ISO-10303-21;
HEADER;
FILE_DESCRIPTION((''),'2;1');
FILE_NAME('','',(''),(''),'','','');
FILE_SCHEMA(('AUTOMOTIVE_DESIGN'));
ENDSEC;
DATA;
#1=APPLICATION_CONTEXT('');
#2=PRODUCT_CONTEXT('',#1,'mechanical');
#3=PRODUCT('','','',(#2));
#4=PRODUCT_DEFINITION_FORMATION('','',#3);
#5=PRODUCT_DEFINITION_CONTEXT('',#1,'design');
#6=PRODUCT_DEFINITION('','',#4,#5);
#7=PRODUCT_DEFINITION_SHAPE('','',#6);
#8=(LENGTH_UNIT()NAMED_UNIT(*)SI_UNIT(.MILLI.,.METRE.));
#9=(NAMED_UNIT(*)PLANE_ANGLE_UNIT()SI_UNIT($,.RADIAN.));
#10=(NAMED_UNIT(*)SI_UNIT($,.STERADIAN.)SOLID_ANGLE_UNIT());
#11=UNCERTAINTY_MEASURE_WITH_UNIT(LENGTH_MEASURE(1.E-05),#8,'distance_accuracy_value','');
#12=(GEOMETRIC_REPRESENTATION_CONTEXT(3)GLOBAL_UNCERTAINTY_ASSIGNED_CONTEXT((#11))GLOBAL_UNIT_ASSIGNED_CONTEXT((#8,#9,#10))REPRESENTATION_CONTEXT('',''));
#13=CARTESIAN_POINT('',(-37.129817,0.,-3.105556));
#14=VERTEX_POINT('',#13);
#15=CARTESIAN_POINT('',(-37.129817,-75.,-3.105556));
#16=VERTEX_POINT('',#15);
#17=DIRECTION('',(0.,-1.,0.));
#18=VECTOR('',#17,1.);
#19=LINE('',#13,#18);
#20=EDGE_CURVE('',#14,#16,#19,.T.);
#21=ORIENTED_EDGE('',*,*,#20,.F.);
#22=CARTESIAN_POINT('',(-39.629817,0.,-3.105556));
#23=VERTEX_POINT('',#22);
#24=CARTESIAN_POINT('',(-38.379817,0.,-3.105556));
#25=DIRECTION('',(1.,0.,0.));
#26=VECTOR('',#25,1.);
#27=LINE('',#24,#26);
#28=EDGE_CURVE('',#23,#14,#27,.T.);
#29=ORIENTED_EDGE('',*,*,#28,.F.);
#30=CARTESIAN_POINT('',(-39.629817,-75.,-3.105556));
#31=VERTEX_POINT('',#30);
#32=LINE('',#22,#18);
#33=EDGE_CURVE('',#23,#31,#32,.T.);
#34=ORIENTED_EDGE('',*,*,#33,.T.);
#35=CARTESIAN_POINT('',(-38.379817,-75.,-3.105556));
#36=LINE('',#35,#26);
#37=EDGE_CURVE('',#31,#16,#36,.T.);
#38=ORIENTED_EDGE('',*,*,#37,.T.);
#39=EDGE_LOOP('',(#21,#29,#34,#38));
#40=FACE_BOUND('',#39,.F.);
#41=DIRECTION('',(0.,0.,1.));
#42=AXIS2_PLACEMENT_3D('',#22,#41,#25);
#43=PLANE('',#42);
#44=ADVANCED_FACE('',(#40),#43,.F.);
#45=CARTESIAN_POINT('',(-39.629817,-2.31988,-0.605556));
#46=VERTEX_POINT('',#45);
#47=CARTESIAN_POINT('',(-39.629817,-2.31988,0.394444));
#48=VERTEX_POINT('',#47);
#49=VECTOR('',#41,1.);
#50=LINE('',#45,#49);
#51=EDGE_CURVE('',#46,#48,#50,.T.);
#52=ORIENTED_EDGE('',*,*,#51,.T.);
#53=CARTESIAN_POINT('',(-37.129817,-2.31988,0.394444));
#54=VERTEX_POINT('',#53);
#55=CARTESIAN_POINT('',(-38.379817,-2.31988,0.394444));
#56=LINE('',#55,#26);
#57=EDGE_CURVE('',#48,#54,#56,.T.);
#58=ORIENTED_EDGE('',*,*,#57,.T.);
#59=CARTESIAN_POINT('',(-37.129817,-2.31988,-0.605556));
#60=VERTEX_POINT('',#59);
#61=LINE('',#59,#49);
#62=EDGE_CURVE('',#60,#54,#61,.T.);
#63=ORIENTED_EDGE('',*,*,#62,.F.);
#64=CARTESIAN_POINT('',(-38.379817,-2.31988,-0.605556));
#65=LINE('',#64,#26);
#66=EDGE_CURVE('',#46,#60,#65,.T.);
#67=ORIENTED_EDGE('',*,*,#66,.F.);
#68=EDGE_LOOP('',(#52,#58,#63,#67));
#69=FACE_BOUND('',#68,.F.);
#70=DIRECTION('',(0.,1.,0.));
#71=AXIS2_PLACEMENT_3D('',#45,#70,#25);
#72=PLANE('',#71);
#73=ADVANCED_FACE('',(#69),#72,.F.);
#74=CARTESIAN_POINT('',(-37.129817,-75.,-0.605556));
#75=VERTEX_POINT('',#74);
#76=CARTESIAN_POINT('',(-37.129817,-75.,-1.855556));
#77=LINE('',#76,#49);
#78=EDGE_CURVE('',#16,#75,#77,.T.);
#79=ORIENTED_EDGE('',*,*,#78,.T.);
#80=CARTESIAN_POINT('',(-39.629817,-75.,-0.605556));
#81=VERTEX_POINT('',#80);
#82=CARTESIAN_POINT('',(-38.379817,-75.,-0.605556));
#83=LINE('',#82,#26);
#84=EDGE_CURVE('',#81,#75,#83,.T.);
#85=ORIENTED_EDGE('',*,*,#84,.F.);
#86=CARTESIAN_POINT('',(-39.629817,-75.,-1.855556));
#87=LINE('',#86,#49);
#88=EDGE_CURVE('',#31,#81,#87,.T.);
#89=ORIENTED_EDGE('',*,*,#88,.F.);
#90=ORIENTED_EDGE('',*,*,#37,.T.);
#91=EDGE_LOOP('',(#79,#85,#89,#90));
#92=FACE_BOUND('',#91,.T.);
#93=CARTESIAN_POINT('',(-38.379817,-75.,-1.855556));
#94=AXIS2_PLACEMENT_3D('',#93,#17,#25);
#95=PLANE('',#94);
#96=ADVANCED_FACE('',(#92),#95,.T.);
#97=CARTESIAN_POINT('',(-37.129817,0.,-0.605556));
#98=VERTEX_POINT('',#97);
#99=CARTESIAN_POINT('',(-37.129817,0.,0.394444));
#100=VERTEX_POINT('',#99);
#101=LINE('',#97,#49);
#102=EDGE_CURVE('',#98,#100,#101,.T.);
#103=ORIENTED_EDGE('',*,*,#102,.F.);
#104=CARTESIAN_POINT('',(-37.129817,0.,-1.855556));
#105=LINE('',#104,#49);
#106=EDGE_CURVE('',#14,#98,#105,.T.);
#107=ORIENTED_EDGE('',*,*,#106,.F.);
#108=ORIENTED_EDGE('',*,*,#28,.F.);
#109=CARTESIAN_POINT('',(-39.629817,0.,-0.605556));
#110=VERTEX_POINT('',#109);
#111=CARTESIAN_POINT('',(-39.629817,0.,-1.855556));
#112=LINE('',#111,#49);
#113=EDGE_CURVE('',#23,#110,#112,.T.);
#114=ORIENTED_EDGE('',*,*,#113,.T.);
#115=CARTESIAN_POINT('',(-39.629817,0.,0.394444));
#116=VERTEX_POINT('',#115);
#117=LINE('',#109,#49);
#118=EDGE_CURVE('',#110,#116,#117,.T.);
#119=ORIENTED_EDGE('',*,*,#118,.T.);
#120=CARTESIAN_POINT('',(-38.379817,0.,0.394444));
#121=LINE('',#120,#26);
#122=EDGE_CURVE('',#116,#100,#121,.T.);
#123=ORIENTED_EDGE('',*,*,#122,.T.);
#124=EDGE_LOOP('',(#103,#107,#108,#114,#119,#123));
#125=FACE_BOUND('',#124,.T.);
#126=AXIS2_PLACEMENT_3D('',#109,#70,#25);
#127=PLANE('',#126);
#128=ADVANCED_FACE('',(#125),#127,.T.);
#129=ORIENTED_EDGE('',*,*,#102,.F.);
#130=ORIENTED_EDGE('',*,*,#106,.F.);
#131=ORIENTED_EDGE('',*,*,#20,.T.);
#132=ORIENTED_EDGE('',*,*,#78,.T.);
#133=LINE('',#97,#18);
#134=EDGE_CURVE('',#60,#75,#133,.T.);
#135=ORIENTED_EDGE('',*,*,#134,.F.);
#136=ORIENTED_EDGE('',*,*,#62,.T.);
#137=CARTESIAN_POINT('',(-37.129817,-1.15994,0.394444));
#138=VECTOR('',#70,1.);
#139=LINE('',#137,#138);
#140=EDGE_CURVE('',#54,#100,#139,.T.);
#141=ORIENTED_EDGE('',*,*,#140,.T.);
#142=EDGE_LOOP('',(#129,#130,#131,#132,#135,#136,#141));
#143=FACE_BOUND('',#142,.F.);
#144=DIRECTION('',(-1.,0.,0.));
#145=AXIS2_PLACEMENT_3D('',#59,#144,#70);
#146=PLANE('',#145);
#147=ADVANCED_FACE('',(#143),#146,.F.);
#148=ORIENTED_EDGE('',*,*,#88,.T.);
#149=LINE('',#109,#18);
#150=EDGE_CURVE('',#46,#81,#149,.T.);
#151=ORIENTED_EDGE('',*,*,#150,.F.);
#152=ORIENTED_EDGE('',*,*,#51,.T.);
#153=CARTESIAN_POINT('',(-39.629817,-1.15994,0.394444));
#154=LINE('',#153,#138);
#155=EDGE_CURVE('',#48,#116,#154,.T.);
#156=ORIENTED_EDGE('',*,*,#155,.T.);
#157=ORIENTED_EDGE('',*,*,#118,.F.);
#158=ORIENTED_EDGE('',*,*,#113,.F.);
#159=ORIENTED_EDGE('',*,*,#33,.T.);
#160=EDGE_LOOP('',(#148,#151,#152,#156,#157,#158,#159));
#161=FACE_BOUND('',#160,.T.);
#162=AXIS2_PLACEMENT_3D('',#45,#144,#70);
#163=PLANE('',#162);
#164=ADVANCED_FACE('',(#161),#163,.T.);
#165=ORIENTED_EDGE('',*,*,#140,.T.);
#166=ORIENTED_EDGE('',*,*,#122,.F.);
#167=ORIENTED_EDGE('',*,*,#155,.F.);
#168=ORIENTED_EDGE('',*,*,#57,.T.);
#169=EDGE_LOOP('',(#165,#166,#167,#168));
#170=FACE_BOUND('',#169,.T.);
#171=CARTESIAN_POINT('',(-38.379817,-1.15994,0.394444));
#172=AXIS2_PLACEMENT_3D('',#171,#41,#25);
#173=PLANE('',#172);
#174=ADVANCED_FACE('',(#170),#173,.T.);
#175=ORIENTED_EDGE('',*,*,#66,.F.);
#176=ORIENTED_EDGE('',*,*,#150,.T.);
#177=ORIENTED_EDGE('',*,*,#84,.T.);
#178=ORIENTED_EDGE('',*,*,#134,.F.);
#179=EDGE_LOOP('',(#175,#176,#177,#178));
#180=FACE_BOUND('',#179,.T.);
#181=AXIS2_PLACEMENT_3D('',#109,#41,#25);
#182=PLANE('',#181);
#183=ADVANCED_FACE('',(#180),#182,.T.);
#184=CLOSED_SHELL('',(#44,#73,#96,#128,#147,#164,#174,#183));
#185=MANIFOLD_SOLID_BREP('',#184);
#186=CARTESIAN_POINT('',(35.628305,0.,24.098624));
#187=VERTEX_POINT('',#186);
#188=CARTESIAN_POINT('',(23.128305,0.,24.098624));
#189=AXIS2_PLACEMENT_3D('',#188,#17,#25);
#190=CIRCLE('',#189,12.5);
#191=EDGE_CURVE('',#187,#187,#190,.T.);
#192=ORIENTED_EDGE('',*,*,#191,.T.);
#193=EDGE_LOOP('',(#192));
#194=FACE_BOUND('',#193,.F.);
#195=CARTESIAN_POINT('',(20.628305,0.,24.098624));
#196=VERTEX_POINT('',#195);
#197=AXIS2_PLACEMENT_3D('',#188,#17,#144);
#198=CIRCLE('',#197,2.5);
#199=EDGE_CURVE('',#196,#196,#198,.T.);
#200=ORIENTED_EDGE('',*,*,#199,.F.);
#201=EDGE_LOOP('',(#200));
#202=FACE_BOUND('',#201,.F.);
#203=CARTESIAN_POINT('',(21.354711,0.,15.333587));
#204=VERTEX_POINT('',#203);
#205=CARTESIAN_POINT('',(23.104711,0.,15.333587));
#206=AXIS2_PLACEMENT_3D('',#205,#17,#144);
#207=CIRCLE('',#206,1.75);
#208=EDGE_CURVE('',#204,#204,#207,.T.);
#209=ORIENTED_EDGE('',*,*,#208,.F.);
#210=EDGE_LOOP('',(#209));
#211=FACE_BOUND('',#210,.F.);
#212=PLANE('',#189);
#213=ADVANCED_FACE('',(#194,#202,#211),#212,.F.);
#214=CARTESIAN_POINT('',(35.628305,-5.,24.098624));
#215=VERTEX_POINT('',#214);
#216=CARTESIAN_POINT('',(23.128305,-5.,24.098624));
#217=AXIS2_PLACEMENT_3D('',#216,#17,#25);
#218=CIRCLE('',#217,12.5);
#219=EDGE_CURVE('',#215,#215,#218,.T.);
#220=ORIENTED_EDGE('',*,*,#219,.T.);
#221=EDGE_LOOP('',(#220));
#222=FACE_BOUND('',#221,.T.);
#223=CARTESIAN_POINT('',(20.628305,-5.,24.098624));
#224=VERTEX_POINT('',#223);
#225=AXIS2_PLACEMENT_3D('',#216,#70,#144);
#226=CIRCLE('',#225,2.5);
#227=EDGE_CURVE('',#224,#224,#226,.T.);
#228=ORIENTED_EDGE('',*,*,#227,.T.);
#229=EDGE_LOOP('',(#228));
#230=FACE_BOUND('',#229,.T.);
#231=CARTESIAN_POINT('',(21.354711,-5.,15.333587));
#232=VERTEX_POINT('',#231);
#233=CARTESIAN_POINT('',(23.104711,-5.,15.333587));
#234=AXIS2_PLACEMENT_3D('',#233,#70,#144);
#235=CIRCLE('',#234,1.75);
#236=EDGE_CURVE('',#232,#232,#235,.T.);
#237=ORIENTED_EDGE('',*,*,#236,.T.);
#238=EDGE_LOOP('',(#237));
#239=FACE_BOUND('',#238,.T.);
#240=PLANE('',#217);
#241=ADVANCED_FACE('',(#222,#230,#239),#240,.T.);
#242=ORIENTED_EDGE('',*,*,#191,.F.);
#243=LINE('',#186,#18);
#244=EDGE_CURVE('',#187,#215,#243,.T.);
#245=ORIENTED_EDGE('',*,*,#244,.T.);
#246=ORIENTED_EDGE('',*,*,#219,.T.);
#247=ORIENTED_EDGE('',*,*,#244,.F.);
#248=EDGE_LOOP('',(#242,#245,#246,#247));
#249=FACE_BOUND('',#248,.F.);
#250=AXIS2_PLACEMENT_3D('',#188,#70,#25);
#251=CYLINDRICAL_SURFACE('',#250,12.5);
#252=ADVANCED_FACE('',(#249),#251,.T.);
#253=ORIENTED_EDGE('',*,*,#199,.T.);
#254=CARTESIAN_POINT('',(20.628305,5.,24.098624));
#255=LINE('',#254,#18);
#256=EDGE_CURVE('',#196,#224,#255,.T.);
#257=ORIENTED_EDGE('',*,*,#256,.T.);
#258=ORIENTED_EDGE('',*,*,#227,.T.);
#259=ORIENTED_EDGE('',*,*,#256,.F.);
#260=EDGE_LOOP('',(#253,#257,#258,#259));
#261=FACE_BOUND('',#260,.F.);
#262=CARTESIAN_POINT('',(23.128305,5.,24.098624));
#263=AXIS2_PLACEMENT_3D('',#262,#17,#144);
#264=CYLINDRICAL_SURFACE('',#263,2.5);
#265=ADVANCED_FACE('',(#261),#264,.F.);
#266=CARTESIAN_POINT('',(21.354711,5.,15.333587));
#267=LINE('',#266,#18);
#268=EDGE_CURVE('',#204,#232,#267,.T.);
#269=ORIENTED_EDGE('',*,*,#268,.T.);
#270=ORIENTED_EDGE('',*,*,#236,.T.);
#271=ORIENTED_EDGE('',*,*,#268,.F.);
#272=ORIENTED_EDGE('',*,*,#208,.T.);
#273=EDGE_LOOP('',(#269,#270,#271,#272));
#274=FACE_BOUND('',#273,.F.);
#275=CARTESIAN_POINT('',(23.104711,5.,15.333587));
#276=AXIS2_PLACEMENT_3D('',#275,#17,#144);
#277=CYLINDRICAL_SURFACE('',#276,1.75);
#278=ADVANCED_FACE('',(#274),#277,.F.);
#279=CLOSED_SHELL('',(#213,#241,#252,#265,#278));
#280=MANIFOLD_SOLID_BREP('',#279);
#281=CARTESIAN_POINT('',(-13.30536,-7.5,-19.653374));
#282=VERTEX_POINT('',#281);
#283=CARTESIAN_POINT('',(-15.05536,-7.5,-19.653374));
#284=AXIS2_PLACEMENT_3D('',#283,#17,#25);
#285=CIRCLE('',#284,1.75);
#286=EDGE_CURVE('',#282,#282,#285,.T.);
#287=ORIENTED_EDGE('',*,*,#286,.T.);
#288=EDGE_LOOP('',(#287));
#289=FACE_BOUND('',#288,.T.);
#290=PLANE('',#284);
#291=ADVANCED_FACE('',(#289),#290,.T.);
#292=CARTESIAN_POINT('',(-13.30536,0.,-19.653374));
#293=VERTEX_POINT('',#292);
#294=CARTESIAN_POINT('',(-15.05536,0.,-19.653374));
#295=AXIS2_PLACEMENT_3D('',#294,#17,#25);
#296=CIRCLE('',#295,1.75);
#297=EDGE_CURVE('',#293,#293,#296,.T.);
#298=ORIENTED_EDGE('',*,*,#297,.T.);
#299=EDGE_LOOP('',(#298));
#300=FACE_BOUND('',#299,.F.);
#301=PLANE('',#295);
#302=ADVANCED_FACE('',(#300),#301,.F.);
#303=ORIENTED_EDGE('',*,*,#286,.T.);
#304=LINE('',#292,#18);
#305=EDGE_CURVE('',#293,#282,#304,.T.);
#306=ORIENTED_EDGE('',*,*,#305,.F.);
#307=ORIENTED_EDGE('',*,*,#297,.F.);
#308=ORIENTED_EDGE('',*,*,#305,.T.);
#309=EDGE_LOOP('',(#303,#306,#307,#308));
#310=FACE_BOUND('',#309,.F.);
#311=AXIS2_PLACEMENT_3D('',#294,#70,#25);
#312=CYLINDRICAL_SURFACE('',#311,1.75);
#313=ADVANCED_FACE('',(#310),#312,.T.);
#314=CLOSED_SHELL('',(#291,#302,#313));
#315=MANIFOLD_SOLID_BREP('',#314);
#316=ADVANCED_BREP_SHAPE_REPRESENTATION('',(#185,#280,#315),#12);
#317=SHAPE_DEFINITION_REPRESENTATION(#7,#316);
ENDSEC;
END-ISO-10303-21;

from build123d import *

# Parameters (mm, degrees)
F0_R      = 12.5
F1_DEPTH  = 5
F2_D      = 5
F2_DEPTH  = 5
F2_TIP    = 1.5021515476
F4_D      = 3.5
F4_DEPTH  = 5
F4_TIP    = 1.0515060833
F5_R      = 1.75
F6_DEPTH  = 7.5
F7_W      = 2.5
F7_H      = 2.5
F8_DEPTH  = 75
F9_W      = 2.5
F9_H      = 2.3198798299
F10_DEPTH = 1


with BuildPart() as f1:
    # F0 (on Front) → F1 (new body)
    with BuildSketch(Plane.XZ):
        with Locations((23.1283046305, 24.098623544)):
            Circle(F0_R)
    extrude(amount=F1_DEPTH)

    # F2
    with Locations(Plane(origin=(0, 0, 0), x_dir=(1, 0, 0), z_dir=(0, 1, 0))):
        with Locations((23.1283046305, -24.098623544)):
            Hole(F2_D / 2, depth=F2_DEPTH)
            with Locations((0, 0, -(F2_DEPTH + F2_TIP / 2))):  # 118° drill point
                Cone(0, F2_D / 2, F2_TIP, mode=Mode.SUBTRACT)

    # F4
    with Locations(Plane(origin=(0, 0, 0), x_dir=(1, 0, 0), z_dir=(0, 1, 0))):
        with Locations((23.1047105044, -15.3335866332)):
            Hole(F4_D / 2, depth=F4_DEPTH)
            with Locations((0, 0, -(F4_DEPTH + F4_TIP / 2))):  # 118° drill point
                Cone(0, F4_D / 2, F4_TIP, mode=Mode.SUBTRACT)


with BuildPart() as f6:
    # F5 (on Front) → F6 (new body)
    with BuildSketch(Plane.XZ):
        with Locations((-15.0553602725, -19.6533743292)):
            Circle(F5_R)
    extrude(amount=F6_DEPTH)


with BuildPart() as f8:
    # F7 (on Front) → F8 (new body)
    with BuildSketch(Plane.XZ):
        with Locations((-38.379817009, -1.8555561267)):
            Rectangle(F7_W, F7_H)
    extrude(amount=F8_DEPTH)

    # F9 (on face) → F10 (join)
    with BuildSketch(Plane.XY.offset(-0.6055561267)):
        with Locations((-38.379817009, -1.1599399149)):
            Rectangle(F9_W, F9_H)
    extrude(amount=F10_DEPTH)


solid = Compound([f1.part, f6.part, f8.part])
